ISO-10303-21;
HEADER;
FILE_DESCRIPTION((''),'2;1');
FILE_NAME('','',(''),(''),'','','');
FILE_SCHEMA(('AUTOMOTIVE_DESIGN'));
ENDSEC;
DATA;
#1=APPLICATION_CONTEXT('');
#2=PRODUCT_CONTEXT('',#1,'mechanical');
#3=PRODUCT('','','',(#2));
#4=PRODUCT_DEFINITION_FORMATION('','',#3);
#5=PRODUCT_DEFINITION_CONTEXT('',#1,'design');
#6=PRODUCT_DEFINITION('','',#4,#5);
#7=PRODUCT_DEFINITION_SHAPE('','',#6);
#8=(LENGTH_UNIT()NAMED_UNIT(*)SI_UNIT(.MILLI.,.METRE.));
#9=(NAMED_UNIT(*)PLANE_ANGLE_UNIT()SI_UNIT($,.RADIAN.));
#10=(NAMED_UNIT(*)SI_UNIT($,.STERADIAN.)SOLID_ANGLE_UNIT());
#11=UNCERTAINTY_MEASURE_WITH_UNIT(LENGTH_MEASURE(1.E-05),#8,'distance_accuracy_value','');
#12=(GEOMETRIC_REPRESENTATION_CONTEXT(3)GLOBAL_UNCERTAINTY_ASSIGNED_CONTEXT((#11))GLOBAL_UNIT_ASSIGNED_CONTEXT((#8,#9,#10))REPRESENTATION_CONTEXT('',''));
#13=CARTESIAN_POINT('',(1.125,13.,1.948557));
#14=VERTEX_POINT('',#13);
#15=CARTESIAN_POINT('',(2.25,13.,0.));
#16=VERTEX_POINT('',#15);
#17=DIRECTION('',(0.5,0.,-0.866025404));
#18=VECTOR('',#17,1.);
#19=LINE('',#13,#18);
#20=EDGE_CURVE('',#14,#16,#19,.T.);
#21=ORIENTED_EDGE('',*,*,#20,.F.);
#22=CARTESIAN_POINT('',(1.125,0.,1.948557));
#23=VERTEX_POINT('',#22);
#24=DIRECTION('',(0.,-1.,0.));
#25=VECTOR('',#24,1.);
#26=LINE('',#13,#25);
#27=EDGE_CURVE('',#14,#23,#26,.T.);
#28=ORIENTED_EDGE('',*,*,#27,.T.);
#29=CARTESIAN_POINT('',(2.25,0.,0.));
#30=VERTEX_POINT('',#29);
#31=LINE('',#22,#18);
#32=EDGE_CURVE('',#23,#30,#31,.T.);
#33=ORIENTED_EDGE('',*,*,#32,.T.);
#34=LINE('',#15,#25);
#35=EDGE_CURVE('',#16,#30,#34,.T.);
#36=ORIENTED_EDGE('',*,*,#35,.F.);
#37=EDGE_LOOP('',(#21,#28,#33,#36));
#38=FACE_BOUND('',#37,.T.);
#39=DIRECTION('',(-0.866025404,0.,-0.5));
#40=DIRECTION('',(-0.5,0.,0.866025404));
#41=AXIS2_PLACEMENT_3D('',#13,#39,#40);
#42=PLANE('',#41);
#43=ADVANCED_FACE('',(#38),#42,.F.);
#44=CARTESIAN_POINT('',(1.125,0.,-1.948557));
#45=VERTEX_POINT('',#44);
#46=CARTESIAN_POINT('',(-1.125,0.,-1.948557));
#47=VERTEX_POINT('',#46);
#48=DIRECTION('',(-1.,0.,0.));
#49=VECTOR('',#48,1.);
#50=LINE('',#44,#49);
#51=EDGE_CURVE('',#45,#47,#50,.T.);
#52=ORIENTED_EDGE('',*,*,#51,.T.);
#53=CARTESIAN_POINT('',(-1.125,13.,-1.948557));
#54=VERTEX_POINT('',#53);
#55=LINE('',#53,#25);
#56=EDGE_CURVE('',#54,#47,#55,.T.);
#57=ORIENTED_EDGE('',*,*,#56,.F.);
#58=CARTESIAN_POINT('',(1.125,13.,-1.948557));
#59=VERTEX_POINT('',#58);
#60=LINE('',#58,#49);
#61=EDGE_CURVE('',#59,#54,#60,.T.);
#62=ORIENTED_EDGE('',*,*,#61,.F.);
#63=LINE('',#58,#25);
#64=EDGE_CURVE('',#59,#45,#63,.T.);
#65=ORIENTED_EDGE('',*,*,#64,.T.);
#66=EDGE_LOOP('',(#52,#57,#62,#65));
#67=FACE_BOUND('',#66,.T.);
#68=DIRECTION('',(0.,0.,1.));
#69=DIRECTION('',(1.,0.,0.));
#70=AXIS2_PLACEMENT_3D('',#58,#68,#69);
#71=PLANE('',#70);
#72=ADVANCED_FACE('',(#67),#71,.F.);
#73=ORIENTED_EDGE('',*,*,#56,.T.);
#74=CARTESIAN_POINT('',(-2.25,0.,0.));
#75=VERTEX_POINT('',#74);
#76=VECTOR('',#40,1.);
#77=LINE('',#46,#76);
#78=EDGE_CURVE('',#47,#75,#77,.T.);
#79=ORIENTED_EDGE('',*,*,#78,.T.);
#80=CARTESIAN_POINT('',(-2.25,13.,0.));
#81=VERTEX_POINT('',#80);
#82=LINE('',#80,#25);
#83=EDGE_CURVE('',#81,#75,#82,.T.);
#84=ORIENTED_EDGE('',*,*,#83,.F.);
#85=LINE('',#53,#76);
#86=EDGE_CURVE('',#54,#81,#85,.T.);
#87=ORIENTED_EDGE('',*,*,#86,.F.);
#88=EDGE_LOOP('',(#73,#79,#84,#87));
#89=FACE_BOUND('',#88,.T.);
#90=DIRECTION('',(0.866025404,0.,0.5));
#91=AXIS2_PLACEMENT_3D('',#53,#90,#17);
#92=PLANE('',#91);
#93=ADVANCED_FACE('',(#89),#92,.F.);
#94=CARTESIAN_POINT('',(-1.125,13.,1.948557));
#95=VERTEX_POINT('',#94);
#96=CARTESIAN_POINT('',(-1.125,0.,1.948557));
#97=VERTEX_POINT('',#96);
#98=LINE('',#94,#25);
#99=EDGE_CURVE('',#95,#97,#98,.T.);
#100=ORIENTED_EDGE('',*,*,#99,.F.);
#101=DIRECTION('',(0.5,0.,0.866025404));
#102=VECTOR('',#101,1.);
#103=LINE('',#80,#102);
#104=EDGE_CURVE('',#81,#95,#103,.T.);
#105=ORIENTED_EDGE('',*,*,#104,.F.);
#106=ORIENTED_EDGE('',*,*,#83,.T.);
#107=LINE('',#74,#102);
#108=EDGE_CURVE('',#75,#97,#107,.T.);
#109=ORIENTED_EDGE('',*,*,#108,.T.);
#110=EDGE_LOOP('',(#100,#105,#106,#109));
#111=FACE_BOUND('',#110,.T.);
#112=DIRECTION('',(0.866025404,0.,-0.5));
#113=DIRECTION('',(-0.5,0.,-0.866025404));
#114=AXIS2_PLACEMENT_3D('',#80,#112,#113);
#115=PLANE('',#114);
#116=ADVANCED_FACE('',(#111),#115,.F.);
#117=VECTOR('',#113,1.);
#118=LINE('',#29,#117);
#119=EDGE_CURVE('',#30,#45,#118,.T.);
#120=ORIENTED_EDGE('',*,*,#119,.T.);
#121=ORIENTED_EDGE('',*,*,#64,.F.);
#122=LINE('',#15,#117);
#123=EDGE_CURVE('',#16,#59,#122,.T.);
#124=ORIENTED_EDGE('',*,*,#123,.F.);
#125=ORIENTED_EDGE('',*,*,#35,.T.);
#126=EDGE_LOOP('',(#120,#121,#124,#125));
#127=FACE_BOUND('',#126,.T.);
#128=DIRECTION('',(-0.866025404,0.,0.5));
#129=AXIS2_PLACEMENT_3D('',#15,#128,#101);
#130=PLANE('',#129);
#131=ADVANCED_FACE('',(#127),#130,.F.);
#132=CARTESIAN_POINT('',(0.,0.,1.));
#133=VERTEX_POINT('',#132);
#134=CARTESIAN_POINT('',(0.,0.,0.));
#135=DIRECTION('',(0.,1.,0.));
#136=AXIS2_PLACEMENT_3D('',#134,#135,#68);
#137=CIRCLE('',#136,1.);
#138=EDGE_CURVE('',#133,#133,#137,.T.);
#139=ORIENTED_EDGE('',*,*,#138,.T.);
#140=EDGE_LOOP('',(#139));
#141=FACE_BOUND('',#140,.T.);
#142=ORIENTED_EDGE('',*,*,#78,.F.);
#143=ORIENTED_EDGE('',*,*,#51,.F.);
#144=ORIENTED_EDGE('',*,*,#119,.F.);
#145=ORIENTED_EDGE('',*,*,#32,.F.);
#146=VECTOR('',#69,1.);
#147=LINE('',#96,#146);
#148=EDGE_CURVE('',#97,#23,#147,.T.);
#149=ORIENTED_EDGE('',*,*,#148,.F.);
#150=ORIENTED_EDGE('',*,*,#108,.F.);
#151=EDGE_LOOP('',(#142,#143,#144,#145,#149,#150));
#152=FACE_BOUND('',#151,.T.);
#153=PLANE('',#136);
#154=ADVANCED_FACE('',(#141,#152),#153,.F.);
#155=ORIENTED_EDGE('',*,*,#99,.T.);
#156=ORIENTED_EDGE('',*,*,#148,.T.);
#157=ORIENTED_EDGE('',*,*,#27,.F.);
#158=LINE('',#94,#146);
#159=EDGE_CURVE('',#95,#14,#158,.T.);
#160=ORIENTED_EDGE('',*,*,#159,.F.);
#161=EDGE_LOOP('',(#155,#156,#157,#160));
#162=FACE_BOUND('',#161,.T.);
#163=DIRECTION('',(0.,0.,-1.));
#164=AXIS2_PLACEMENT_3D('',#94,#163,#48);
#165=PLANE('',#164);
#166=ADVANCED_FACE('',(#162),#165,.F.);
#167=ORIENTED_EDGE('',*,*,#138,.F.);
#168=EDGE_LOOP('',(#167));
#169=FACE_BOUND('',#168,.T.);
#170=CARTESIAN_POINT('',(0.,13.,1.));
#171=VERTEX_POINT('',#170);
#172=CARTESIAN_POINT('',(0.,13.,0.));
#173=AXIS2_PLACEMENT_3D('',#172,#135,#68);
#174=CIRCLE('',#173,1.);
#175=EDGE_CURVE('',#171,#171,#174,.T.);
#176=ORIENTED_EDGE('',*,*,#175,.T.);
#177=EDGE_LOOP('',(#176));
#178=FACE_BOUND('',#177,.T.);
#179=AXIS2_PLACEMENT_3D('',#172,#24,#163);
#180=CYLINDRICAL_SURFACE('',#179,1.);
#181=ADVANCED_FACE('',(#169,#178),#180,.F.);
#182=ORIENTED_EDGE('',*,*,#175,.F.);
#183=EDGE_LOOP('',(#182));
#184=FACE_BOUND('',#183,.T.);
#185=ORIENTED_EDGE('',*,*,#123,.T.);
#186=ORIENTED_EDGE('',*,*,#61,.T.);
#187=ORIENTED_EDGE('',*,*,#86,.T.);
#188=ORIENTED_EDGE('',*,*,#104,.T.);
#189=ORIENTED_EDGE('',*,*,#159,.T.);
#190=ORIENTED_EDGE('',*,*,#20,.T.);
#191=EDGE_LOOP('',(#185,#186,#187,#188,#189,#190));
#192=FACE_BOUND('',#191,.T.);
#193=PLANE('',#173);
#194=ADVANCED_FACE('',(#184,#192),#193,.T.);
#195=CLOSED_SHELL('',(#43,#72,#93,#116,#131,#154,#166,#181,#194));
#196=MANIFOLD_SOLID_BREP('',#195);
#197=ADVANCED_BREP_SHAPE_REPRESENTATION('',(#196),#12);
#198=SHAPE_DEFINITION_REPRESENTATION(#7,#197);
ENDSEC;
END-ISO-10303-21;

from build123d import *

# Parameters (mm, degrees)
SKETCH1_R           = 1
BOSS_EXTRUDE1_DEPTH = 13


with BuildPart() as part:
    # Sketch1 → Boss-Extrude1 (new body)
    with BuildSketch(Plane(origin=(0, 0, 0), x_dir=(1, 0, 0), z_dir=(0, 1, 0))):
        Polygon((2.25, 0), (1.125, 1.948557159), (-1.125, 1.948557159), (-2.25, 0), (-1.125, -1.948557159), (1.125, -1.948557159), align=None)
        Circle(SKETCH1_R, mode=Mode.SUBTRACT)
    extrude(amount=BOSS_EXTRUDE1_DEPTH)


solid = part.part
